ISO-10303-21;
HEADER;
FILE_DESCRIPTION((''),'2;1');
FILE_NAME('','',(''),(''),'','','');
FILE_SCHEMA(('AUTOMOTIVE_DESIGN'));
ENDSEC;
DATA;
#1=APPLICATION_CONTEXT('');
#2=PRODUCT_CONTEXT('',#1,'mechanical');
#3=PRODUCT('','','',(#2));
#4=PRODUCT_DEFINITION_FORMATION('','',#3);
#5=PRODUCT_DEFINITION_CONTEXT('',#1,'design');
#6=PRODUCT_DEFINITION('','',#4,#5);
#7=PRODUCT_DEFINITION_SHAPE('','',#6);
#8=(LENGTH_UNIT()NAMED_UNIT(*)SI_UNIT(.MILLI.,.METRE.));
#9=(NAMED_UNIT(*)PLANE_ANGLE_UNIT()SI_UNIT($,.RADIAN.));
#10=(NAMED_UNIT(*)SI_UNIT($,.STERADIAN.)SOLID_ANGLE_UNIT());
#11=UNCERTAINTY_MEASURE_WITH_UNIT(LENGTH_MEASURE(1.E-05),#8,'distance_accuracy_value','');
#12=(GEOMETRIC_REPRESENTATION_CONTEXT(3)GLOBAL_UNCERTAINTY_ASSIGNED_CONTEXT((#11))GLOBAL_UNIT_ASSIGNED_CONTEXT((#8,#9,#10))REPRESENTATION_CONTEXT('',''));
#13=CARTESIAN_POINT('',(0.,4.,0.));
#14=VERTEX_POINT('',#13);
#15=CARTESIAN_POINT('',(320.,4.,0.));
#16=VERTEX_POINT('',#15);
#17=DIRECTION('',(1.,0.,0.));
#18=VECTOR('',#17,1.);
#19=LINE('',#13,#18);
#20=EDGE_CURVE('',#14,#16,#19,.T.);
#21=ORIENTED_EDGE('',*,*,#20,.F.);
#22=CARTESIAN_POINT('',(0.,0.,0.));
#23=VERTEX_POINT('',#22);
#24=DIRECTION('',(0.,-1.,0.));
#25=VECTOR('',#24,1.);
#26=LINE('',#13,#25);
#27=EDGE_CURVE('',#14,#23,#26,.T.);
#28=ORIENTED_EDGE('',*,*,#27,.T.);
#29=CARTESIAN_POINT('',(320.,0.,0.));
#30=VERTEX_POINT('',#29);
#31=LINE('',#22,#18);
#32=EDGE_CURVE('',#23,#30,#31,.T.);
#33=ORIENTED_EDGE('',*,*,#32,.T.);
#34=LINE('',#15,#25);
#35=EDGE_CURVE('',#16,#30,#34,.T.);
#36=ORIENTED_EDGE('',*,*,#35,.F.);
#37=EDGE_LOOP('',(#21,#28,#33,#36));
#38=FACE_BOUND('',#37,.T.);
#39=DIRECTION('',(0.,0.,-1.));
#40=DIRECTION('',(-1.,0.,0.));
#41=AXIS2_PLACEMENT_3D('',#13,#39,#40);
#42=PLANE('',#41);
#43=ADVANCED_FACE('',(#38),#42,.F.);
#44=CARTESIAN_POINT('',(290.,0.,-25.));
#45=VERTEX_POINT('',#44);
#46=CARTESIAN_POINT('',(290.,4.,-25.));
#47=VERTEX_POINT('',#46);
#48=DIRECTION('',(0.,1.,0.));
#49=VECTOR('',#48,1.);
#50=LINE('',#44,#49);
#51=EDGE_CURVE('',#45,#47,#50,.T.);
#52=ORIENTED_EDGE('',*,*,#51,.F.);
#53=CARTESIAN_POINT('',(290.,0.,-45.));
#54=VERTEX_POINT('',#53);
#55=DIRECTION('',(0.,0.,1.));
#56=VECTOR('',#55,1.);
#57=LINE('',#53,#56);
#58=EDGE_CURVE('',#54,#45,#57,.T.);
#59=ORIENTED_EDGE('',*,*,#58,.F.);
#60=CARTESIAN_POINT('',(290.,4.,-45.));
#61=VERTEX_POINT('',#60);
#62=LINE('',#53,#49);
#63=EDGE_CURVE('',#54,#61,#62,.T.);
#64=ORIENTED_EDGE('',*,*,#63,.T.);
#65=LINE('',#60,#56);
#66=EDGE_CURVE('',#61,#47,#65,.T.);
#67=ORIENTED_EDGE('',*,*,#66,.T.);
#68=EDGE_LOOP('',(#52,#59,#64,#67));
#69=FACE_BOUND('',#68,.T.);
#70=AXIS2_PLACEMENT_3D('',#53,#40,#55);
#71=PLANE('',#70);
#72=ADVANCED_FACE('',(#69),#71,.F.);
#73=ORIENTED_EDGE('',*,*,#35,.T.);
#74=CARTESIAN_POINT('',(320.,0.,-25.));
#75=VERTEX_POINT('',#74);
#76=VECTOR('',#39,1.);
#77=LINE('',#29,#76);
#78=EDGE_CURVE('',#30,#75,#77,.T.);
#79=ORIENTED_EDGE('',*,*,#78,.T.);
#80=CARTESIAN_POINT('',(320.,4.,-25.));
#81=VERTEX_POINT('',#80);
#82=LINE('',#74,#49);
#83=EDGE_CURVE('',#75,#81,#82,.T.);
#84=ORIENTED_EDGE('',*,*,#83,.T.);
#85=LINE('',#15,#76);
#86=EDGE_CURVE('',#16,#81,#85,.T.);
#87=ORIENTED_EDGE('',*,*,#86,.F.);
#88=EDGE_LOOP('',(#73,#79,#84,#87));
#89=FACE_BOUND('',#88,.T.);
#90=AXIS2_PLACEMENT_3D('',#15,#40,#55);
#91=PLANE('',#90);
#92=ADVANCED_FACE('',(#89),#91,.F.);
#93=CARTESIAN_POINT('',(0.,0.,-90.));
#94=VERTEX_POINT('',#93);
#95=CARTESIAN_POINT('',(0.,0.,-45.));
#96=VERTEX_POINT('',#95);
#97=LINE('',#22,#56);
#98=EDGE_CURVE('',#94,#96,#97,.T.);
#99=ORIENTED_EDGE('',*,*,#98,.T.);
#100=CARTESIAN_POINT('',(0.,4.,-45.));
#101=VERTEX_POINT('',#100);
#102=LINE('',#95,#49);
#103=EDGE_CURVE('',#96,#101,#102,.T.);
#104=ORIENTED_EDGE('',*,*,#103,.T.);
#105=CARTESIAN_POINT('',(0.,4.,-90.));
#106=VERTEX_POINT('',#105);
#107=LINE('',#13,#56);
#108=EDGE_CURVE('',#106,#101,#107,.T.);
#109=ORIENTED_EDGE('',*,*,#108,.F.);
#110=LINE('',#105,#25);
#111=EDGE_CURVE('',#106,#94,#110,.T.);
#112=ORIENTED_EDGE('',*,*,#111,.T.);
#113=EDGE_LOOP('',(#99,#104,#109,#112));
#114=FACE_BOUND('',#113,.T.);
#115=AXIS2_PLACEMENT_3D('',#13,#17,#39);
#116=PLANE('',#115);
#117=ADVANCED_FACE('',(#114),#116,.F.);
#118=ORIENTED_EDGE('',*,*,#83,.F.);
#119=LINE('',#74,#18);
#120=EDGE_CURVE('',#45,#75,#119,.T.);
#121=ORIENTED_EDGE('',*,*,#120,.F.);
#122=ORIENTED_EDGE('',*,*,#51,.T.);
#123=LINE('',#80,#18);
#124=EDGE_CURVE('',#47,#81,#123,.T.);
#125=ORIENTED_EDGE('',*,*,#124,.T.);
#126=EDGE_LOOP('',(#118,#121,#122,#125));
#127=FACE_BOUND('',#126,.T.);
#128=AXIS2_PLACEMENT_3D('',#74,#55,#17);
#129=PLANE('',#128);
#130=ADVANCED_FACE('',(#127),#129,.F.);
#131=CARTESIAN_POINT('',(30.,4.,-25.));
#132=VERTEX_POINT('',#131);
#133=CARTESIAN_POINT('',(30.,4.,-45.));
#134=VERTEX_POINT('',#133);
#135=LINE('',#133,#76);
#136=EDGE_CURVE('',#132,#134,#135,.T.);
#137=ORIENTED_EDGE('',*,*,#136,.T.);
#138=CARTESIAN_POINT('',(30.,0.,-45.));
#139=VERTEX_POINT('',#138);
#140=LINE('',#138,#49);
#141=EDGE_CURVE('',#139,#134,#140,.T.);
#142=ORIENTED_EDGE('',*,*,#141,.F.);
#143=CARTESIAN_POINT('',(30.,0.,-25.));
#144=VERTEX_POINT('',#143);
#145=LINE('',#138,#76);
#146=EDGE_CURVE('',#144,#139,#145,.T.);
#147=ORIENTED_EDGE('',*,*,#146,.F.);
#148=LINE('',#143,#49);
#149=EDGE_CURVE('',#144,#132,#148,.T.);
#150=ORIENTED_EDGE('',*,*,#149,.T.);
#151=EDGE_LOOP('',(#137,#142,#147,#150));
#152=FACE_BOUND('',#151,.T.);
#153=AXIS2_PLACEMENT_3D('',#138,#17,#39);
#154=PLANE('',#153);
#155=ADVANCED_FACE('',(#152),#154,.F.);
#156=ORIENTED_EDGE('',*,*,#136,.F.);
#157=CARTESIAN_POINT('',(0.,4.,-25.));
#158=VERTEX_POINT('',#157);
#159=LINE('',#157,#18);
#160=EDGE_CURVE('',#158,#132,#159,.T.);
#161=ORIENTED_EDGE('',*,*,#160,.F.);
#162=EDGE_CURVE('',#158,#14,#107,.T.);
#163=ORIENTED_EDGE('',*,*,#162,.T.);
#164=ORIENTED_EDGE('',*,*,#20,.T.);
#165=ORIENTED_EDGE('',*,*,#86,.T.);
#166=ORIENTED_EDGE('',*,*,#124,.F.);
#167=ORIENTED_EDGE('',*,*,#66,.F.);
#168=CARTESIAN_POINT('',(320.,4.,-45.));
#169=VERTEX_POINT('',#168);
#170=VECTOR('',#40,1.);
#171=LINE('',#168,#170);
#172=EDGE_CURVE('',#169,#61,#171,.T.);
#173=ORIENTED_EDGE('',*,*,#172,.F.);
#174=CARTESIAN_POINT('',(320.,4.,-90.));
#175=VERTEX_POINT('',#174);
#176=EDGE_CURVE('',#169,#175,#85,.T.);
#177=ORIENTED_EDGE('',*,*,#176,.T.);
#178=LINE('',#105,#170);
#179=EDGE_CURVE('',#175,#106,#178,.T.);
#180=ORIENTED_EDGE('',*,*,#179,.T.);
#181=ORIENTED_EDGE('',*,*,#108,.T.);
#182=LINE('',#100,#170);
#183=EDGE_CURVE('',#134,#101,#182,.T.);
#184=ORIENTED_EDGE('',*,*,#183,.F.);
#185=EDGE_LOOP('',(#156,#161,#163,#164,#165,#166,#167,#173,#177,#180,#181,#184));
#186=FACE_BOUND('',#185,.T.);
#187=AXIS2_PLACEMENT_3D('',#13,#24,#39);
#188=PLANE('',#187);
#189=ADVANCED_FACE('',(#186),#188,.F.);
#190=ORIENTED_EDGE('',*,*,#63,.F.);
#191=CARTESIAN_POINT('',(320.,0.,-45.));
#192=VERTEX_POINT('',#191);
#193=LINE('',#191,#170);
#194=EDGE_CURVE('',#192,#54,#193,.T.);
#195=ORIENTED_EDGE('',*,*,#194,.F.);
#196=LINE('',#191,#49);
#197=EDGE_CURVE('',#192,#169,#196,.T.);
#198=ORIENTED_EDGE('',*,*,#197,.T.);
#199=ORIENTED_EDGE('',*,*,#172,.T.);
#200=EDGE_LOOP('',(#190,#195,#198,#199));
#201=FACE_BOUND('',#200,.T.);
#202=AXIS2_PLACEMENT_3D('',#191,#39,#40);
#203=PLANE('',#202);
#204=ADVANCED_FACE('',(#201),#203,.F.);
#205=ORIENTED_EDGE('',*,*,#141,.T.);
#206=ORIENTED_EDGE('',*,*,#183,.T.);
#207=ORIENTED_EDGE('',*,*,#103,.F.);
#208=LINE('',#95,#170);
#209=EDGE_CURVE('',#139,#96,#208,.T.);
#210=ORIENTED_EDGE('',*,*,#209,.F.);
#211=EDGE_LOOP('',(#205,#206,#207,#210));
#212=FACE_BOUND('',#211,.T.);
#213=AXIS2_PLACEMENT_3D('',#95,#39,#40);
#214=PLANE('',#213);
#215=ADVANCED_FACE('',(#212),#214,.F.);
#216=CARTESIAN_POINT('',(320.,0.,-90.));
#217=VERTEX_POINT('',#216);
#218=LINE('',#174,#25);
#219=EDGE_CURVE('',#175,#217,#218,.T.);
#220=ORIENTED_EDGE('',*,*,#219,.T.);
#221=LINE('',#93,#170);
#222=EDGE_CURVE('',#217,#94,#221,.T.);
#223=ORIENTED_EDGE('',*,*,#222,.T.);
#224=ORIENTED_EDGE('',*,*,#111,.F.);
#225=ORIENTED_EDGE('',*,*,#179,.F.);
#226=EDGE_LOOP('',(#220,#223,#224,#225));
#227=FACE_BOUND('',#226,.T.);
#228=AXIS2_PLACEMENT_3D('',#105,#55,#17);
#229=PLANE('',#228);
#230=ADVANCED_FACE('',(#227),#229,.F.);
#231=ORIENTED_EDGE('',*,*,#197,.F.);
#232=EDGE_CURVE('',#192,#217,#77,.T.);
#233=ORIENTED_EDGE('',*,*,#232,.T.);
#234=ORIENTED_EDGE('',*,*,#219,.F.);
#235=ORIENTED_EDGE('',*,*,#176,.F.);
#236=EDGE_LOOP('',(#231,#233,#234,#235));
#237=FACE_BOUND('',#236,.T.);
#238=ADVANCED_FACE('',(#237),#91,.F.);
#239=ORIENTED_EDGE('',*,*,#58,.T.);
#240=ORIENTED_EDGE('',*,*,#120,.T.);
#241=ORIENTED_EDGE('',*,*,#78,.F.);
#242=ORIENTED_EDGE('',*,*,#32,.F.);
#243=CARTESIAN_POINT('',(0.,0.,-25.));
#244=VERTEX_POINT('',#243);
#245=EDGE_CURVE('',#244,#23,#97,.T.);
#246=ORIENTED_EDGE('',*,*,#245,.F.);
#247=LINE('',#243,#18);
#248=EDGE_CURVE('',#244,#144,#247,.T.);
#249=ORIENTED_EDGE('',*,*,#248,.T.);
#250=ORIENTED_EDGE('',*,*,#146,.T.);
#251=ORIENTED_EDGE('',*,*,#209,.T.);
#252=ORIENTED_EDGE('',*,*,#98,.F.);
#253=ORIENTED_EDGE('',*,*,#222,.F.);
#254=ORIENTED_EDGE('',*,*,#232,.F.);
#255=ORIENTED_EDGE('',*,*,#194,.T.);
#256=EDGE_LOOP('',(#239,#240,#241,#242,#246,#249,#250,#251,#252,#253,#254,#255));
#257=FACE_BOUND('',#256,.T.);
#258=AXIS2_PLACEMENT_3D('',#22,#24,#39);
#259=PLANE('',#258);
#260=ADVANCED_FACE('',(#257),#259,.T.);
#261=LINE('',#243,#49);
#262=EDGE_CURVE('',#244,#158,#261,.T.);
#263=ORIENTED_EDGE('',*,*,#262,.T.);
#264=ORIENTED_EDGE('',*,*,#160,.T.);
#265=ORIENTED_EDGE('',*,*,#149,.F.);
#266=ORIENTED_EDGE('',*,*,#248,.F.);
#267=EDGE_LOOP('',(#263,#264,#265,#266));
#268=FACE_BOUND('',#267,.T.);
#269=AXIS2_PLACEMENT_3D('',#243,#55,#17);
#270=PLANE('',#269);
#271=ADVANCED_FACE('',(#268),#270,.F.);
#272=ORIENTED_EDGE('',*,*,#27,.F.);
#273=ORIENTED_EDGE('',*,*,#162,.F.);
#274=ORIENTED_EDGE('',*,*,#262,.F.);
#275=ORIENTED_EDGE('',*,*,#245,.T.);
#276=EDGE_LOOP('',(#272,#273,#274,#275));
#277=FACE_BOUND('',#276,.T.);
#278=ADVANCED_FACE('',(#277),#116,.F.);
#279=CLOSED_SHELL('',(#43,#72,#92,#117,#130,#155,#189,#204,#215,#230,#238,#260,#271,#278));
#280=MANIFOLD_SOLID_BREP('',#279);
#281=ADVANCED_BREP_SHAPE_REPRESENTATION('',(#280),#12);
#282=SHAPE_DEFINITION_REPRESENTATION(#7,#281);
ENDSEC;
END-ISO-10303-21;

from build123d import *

# Parameters (mm, degrees)
SKETCH_1_W          = 320
SKETCH_1_H          = 90
EXTRUDE_1_DEPTH     = 4
SKETCH_2_W          = 30
SKETCH_2_H          = 20
CUT_EXTRUDE_1_DEPTH = 333.439468174


with BuildPart() as part:
    # 草图1 → 凸台-拉伸1 (new body)
    with BuildSketch(Plane(origin=(0, 0, 0), x_dir=(1, 0, 0), z_dir=(0, 1, 0))):
        with Locations((160, 45)):
            Rectangle(SKETCH_1_W, SKETCH_1_H)
    extrude(amount=EXTRUDE_1_DEPTH)

    # 草图2 → 切除-拉伸1 (cut, through all)
    with BuildSketch(Plane(origin=(0, 4, 0), x_dir=(1, 0, 0), z_dir=(0, 1, 0))):
        with Locations((15, 35)):
            Rectangle(SKETCH_2_W, SKETCH_2_H)
        with Locations((305, 35)):
            Rectangle(SKETCH_2_W, SKETCH_2_H)
    extrude(amount=-CUT_EXTRUDE_1_DEPTH, mode=Mode.SUBTRACT)


solid = part.part
